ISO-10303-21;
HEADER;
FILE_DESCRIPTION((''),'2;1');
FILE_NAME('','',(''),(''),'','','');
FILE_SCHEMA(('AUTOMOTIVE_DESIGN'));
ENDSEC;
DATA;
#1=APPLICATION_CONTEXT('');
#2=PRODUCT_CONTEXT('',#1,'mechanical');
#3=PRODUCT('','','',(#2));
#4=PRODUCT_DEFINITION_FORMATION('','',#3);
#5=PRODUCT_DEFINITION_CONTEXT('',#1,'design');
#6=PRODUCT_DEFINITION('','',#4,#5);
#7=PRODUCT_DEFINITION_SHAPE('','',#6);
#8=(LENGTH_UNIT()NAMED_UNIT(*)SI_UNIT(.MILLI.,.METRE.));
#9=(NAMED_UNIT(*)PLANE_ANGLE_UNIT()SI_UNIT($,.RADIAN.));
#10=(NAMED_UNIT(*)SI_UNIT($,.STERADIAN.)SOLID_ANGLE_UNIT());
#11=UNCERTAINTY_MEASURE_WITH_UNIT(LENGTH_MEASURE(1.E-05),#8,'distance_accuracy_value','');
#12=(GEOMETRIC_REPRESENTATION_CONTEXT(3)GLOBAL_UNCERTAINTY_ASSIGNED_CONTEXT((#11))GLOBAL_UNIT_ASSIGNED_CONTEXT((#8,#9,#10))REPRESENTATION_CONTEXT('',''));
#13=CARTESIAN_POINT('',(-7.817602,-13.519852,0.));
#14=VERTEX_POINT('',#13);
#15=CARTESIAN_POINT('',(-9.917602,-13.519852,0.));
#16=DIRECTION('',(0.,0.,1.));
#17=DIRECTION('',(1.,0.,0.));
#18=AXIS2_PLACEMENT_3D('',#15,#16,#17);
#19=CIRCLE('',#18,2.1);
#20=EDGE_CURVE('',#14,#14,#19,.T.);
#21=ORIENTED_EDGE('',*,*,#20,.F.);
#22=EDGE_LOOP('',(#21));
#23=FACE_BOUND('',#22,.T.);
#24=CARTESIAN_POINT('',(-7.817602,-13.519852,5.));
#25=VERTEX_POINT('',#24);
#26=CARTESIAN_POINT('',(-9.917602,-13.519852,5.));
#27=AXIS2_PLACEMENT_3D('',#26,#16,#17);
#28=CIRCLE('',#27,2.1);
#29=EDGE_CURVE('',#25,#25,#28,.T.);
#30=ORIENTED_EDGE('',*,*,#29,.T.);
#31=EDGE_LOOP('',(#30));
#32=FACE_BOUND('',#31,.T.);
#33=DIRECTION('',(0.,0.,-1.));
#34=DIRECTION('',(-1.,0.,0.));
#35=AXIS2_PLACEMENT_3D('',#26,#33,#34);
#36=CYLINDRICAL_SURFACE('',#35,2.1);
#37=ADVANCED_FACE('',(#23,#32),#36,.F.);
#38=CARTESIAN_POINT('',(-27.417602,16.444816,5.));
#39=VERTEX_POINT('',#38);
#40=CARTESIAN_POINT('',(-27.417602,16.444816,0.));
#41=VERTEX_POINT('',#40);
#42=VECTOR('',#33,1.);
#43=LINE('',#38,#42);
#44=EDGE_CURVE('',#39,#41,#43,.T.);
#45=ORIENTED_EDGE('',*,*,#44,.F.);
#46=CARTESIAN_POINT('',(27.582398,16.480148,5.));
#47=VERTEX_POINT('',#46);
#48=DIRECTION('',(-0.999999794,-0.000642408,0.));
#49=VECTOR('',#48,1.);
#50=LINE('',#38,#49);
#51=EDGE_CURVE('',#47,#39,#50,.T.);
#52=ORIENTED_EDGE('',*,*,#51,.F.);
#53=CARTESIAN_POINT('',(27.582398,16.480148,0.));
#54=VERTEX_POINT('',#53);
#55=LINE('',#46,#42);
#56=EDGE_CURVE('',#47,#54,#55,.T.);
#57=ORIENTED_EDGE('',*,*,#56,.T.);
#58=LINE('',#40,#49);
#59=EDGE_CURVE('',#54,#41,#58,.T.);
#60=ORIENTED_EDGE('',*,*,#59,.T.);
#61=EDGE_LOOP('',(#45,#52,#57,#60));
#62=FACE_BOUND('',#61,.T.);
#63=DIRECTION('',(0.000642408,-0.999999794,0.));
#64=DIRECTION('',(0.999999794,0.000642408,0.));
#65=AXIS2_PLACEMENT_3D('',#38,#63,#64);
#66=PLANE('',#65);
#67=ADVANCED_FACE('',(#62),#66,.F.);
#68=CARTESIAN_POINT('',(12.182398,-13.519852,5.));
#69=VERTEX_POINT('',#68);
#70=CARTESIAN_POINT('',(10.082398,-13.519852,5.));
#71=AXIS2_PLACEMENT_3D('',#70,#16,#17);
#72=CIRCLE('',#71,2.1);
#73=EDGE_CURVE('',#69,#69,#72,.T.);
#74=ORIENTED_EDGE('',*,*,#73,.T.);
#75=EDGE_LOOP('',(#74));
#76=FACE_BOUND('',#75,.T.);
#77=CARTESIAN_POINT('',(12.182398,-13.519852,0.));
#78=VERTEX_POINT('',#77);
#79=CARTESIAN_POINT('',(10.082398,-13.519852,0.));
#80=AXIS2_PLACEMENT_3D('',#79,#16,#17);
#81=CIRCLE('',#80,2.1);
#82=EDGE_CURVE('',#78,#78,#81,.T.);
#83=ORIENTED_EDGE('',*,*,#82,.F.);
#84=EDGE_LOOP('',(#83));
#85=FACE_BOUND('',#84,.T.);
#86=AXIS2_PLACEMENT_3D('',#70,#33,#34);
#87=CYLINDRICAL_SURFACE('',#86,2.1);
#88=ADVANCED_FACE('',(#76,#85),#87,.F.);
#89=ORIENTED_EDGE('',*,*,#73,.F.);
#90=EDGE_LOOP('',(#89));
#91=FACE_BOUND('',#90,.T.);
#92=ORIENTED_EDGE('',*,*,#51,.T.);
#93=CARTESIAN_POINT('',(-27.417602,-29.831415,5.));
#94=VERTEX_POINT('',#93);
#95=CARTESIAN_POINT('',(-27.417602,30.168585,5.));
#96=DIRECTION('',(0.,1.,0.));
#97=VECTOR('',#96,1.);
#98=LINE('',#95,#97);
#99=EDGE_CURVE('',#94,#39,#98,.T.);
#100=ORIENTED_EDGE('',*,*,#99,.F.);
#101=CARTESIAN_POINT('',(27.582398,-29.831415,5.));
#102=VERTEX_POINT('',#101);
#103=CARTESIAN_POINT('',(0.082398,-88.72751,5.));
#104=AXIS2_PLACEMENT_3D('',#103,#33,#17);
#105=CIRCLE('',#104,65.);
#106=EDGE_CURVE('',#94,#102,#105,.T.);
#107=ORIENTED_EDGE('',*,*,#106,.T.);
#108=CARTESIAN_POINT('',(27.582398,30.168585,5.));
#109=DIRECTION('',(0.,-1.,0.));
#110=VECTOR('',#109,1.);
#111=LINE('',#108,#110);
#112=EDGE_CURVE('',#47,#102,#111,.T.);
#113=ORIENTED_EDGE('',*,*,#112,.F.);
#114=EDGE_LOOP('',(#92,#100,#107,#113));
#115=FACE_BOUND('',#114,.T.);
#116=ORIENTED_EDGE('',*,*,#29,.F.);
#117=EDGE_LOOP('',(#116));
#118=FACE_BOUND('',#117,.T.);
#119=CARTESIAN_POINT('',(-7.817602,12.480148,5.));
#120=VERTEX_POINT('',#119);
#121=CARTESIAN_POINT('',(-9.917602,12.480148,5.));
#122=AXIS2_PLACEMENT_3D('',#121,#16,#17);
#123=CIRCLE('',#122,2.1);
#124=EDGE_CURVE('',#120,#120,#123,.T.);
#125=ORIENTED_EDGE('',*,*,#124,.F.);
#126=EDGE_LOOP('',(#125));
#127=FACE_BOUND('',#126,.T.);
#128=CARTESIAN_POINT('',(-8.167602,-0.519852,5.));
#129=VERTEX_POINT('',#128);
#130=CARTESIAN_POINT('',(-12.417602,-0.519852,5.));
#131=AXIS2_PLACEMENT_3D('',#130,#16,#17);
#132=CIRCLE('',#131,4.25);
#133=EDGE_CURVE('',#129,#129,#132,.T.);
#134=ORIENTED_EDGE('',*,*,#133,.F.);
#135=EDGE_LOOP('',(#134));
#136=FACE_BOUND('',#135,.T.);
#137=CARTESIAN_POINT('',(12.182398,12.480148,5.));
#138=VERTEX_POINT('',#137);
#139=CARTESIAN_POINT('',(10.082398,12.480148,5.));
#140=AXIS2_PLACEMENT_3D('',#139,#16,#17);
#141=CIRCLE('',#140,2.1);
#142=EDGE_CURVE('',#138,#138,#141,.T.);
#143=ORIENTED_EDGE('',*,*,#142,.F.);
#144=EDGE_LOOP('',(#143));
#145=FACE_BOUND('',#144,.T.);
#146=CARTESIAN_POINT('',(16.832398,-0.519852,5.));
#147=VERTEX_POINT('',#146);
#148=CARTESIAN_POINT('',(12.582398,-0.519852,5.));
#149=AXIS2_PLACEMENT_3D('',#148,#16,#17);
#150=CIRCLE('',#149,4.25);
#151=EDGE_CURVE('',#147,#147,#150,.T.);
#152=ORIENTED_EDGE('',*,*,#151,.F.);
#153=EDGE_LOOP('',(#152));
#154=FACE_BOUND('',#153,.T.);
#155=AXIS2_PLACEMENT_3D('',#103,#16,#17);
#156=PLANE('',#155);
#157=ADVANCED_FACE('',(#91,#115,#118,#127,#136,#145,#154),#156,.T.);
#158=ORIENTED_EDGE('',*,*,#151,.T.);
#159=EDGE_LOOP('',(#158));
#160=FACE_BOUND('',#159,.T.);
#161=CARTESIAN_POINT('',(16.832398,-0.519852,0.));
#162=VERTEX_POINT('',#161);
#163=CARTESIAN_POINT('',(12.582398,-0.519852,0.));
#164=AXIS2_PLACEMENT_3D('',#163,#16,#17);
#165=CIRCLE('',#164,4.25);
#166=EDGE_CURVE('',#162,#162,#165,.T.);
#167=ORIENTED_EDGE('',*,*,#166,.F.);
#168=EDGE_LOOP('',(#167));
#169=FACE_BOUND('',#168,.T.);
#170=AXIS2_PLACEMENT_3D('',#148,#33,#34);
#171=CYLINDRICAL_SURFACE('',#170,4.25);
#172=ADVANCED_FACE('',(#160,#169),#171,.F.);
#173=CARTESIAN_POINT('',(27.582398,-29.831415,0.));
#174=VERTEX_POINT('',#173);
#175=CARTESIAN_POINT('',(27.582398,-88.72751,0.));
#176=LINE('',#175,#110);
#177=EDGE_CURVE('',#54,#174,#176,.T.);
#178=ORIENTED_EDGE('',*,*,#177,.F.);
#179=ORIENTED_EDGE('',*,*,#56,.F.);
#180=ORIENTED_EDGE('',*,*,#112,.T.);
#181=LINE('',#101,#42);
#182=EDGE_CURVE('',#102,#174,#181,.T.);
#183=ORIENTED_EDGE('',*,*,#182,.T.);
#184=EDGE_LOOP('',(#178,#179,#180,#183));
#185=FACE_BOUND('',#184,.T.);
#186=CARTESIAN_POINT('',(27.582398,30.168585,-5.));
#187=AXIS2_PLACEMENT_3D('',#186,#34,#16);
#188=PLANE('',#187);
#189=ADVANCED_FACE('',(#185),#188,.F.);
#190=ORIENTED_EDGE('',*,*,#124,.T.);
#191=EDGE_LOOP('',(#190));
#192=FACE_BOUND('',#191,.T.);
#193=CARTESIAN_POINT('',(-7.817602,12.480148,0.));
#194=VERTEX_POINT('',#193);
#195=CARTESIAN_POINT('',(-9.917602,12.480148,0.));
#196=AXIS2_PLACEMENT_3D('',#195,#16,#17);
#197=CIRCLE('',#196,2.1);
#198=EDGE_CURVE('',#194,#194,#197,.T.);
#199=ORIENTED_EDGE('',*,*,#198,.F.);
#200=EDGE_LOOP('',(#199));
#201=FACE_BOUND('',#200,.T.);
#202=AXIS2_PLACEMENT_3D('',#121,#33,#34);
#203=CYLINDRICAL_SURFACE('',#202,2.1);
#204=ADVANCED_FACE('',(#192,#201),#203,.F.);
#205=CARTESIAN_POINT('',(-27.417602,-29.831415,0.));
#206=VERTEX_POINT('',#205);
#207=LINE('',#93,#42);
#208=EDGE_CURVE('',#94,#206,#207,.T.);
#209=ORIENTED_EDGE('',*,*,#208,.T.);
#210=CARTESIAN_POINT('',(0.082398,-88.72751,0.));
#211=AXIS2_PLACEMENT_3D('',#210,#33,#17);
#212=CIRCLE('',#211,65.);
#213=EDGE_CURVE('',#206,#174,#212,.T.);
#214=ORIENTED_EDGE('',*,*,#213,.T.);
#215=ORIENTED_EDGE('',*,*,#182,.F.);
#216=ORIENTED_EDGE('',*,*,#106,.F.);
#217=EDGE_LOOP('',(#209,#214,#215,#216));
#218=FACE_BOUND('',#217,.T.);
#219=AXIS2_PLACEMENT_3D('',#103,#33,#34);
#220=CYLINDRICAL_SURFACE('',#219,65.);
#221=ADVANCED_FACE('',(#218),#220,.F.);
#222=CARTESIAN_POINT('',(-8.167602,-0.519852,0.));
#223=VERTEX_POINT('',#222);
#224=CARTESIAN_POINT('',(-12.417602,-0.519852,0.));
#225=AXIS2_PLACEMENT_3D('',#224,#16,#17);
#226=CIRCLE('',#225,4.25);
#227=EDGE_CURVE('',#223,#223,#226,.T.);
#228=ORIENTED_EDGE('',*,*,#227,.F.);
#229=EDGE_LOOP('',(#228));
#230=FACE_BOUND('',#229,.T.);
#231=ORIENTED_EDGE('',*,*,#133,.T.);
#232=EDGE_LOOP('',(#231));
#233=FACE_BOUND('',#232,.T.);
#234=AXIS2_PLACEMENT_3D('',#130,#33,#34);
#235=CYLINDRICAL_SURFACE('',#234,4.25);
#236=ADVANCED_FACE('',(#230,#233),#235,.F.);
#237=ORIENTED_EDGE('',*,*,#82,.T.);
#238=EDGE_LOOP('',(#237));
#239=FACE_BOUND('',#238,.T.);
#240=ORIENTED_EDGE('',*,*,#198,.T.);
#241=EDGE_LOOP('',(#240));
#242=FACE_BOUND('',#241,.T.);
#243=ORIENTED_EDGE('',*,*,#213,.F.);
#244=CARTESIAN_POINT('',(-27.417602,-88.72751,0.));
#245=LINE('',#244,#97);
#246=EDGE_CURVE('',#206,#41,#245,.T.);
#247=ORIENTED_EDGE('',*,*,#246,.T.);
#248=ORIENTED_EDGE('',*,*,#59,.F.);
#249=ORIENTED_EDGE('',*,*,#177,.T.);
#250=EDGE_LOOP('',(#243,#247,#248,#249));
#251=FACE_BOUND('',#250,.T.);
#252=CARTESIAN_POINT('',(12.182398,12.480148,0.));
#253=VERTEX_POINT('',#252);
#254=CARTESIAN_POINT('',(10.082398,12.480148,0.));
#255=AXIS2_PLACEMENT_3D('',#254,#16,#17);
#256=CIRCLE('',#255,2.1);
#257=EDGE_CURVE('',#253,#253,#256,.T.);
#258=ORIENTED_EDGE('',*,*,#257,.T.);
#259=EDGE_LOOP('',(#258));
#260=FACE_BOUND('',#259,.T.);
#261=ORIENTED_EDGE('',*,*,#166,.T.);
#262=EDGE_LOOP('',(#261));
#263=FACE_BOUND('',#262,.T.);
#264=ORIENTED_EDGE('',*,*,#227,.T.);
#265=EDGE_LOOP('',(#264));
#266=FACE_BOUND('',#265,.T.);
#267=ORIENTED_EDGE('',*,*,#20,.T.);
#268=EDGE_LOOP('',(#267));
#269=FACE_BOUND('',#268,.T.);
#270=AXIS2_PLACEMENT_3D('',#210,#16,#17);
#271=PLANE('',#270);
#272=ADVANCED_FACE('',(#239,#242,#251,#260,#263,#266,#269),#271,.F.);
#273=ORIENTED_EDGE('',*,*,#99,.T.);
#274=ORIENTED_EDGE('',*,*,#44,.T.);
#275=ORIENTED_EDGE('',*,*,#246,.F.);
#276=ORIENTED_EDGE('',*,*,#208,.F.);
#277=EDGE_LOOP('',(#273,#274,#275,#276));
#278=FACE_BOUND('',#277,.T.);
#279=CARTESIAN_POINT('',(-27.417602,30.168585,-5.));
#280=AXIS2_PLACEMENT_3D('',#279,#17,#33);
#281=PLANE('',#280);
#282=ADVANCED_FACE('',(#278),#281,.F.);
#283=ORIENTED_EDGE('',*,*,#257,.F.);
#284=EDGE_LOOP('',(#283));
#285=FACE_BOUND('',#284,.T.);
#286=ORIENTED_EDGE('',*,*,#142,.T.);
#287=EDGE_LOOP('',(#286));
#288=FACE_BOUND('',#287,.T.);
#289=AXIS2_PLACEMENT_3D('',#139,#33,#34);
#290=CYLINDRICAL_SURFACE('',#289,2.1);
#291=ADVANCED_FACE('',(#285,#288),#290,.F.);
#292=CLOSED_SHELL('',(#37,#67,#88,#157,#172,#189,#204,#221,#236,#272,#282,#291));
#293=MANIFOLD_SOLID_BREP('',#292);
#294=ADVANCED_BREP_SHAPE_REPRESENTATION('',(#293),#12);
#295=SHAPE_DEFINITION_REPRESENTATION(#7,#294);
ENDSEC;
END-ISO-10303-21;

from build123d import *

# Parameters (mm, degrees)
SKETCH1_R           = 4.25
SKETCH1_R_2         = 2.1
BOSS_EXTRUDE1_DEPTH = 5
SKETCH2_W           = 23
SKETCH2_H           = 60
CUT_EXTRUDE1_DEPTH  = 10
FILLET1_R           = 5
FILLET2_R           = 5
CUT_EXTRUDE2_DEPTH  = 5


with BuildPart() as part:
    # Sketch1 → Boss-Extrude1 (new body)
    with BuildSketch(Plane.XY):
        with BuildLine():
            Line((-50.417601538, -29.831415105), (-27.417601538, -29.831415105))
            ThreePointArc((-27.417601538, -29.831415105), (0.082398462, -23.727510052), (27.582398462, -29.831415105))
            Line((27.582398462, -29.831415105), (50.582398462, -29.831415105))
            Line((50.582398462, -29.831415105), (50.582398462, 25.168584895))
            ThreePointArc((50.582398462, 25.168584895), (49.117932367, 28.704118801), (45.582398462, 30.168584895))
            Line((45.582398462, 30.168584895), (-45.417601538, 30.168584895))
            ThreePointArc((-45.417601538, 30.168584895), (-48.953135444, 28.704118801), (-50.417601538, 25.168584895))
            Line((-50.417601538, 25.168584895), (-50.417601538, -29.831415105))
        make_face()
        with Locations((12.582398462, -0.519851907)):
            Circle(SKETCH1_R, mode=Mode.SUBTRACT)
        with Locations((10.082398462, -13.519851907)):
            Circle(SKETCH1_R_2, mode=Mode.SUBTRACT)
        with Locations((-9.917601538, -13.519851907)):
            Circle(SKETCH1_R_2, mode=Mode.SUBTRACT)
        with Locations((-12.417601538, -0.519851907)):
            Circle(SKETCH1_R, mode=Mode.SUBTRACT)
        with Locations((-9.917601538, 12.480148093)):
            Circle(SKETCH1_R_2, mode=Mode.SUBTRACT)
        with Locations((10.082398462, 12.480148093)):
            Circle(SKETCH1_R_2, mode=Mode.SUBTRACT)
    extrude(amount=BOSS_EXTRUDE1_DEPTH)

    # Sketch2 → Cut-Extrude1 (cut)
    with BuildSketch(Plane.XY.offset(5)):
        with Locations((-38.917601538, 0.168584895)):
            Rectangle(SKETCH2_W, SKETCH2_H)
        with Locations((39.082398462, 0.168584895)):
            Rectangle(SKETCH2_W, SKETCH2_H)
    extrude(amount=-CUT_EXTRUDE1_DEPTH, mode=Mode.SUBTRACT)

    # Fillet1
    fillet1_edges = [part.edges().sort_by_distance(p)[0] for p in [
        (27.582398462, 30.168584895, 2.5),
    ]]
    fillet(fillet1_edges, radius=FILLET1_R)

    # Fillet2
    fillet2_edges = [part.edges().sort_by_distance(p)[0] for p in [
        (-27.417601538, 30.168584895, 2.5),
    ]]
    fillet(fillet2_edges, radius=FILLET2_R)

    # Sketch3 → Cut-Extrude2 (cut)
    with BuildSketch(Plane(origin=(0, 0, 0), x_dir=(-1, 0, 0), z_dir=(0, 0, -1))):
        with BuildLine():
            Line((-27.582398462, 25.168584895), (-27.582398462, 16.480148093))
            Line((-27.582398462, 16.480148093), (27.417601538, 16.444815638))
            Line((27.417601538, 16.444815638), (27.417601538, 25.168584895))
            ThreePointArc((27.417601538, 25.168584895), (25.953135444, 28.704118801), (22.417601538, 30.168584895))
            Line((22.417601538, 30.168584895), (-22.582398462, 30.168584895))
            ThreePointArc((-22.582398462, 30.168584895), (-26.117932367, 28.704118801), (-27.582398462, 25.168584895))
        make_face()
    extrude(amount=-CUT_EXTRUDE2_DEPTH, mode=Mode.SUBTRACT)


solid = part.part
